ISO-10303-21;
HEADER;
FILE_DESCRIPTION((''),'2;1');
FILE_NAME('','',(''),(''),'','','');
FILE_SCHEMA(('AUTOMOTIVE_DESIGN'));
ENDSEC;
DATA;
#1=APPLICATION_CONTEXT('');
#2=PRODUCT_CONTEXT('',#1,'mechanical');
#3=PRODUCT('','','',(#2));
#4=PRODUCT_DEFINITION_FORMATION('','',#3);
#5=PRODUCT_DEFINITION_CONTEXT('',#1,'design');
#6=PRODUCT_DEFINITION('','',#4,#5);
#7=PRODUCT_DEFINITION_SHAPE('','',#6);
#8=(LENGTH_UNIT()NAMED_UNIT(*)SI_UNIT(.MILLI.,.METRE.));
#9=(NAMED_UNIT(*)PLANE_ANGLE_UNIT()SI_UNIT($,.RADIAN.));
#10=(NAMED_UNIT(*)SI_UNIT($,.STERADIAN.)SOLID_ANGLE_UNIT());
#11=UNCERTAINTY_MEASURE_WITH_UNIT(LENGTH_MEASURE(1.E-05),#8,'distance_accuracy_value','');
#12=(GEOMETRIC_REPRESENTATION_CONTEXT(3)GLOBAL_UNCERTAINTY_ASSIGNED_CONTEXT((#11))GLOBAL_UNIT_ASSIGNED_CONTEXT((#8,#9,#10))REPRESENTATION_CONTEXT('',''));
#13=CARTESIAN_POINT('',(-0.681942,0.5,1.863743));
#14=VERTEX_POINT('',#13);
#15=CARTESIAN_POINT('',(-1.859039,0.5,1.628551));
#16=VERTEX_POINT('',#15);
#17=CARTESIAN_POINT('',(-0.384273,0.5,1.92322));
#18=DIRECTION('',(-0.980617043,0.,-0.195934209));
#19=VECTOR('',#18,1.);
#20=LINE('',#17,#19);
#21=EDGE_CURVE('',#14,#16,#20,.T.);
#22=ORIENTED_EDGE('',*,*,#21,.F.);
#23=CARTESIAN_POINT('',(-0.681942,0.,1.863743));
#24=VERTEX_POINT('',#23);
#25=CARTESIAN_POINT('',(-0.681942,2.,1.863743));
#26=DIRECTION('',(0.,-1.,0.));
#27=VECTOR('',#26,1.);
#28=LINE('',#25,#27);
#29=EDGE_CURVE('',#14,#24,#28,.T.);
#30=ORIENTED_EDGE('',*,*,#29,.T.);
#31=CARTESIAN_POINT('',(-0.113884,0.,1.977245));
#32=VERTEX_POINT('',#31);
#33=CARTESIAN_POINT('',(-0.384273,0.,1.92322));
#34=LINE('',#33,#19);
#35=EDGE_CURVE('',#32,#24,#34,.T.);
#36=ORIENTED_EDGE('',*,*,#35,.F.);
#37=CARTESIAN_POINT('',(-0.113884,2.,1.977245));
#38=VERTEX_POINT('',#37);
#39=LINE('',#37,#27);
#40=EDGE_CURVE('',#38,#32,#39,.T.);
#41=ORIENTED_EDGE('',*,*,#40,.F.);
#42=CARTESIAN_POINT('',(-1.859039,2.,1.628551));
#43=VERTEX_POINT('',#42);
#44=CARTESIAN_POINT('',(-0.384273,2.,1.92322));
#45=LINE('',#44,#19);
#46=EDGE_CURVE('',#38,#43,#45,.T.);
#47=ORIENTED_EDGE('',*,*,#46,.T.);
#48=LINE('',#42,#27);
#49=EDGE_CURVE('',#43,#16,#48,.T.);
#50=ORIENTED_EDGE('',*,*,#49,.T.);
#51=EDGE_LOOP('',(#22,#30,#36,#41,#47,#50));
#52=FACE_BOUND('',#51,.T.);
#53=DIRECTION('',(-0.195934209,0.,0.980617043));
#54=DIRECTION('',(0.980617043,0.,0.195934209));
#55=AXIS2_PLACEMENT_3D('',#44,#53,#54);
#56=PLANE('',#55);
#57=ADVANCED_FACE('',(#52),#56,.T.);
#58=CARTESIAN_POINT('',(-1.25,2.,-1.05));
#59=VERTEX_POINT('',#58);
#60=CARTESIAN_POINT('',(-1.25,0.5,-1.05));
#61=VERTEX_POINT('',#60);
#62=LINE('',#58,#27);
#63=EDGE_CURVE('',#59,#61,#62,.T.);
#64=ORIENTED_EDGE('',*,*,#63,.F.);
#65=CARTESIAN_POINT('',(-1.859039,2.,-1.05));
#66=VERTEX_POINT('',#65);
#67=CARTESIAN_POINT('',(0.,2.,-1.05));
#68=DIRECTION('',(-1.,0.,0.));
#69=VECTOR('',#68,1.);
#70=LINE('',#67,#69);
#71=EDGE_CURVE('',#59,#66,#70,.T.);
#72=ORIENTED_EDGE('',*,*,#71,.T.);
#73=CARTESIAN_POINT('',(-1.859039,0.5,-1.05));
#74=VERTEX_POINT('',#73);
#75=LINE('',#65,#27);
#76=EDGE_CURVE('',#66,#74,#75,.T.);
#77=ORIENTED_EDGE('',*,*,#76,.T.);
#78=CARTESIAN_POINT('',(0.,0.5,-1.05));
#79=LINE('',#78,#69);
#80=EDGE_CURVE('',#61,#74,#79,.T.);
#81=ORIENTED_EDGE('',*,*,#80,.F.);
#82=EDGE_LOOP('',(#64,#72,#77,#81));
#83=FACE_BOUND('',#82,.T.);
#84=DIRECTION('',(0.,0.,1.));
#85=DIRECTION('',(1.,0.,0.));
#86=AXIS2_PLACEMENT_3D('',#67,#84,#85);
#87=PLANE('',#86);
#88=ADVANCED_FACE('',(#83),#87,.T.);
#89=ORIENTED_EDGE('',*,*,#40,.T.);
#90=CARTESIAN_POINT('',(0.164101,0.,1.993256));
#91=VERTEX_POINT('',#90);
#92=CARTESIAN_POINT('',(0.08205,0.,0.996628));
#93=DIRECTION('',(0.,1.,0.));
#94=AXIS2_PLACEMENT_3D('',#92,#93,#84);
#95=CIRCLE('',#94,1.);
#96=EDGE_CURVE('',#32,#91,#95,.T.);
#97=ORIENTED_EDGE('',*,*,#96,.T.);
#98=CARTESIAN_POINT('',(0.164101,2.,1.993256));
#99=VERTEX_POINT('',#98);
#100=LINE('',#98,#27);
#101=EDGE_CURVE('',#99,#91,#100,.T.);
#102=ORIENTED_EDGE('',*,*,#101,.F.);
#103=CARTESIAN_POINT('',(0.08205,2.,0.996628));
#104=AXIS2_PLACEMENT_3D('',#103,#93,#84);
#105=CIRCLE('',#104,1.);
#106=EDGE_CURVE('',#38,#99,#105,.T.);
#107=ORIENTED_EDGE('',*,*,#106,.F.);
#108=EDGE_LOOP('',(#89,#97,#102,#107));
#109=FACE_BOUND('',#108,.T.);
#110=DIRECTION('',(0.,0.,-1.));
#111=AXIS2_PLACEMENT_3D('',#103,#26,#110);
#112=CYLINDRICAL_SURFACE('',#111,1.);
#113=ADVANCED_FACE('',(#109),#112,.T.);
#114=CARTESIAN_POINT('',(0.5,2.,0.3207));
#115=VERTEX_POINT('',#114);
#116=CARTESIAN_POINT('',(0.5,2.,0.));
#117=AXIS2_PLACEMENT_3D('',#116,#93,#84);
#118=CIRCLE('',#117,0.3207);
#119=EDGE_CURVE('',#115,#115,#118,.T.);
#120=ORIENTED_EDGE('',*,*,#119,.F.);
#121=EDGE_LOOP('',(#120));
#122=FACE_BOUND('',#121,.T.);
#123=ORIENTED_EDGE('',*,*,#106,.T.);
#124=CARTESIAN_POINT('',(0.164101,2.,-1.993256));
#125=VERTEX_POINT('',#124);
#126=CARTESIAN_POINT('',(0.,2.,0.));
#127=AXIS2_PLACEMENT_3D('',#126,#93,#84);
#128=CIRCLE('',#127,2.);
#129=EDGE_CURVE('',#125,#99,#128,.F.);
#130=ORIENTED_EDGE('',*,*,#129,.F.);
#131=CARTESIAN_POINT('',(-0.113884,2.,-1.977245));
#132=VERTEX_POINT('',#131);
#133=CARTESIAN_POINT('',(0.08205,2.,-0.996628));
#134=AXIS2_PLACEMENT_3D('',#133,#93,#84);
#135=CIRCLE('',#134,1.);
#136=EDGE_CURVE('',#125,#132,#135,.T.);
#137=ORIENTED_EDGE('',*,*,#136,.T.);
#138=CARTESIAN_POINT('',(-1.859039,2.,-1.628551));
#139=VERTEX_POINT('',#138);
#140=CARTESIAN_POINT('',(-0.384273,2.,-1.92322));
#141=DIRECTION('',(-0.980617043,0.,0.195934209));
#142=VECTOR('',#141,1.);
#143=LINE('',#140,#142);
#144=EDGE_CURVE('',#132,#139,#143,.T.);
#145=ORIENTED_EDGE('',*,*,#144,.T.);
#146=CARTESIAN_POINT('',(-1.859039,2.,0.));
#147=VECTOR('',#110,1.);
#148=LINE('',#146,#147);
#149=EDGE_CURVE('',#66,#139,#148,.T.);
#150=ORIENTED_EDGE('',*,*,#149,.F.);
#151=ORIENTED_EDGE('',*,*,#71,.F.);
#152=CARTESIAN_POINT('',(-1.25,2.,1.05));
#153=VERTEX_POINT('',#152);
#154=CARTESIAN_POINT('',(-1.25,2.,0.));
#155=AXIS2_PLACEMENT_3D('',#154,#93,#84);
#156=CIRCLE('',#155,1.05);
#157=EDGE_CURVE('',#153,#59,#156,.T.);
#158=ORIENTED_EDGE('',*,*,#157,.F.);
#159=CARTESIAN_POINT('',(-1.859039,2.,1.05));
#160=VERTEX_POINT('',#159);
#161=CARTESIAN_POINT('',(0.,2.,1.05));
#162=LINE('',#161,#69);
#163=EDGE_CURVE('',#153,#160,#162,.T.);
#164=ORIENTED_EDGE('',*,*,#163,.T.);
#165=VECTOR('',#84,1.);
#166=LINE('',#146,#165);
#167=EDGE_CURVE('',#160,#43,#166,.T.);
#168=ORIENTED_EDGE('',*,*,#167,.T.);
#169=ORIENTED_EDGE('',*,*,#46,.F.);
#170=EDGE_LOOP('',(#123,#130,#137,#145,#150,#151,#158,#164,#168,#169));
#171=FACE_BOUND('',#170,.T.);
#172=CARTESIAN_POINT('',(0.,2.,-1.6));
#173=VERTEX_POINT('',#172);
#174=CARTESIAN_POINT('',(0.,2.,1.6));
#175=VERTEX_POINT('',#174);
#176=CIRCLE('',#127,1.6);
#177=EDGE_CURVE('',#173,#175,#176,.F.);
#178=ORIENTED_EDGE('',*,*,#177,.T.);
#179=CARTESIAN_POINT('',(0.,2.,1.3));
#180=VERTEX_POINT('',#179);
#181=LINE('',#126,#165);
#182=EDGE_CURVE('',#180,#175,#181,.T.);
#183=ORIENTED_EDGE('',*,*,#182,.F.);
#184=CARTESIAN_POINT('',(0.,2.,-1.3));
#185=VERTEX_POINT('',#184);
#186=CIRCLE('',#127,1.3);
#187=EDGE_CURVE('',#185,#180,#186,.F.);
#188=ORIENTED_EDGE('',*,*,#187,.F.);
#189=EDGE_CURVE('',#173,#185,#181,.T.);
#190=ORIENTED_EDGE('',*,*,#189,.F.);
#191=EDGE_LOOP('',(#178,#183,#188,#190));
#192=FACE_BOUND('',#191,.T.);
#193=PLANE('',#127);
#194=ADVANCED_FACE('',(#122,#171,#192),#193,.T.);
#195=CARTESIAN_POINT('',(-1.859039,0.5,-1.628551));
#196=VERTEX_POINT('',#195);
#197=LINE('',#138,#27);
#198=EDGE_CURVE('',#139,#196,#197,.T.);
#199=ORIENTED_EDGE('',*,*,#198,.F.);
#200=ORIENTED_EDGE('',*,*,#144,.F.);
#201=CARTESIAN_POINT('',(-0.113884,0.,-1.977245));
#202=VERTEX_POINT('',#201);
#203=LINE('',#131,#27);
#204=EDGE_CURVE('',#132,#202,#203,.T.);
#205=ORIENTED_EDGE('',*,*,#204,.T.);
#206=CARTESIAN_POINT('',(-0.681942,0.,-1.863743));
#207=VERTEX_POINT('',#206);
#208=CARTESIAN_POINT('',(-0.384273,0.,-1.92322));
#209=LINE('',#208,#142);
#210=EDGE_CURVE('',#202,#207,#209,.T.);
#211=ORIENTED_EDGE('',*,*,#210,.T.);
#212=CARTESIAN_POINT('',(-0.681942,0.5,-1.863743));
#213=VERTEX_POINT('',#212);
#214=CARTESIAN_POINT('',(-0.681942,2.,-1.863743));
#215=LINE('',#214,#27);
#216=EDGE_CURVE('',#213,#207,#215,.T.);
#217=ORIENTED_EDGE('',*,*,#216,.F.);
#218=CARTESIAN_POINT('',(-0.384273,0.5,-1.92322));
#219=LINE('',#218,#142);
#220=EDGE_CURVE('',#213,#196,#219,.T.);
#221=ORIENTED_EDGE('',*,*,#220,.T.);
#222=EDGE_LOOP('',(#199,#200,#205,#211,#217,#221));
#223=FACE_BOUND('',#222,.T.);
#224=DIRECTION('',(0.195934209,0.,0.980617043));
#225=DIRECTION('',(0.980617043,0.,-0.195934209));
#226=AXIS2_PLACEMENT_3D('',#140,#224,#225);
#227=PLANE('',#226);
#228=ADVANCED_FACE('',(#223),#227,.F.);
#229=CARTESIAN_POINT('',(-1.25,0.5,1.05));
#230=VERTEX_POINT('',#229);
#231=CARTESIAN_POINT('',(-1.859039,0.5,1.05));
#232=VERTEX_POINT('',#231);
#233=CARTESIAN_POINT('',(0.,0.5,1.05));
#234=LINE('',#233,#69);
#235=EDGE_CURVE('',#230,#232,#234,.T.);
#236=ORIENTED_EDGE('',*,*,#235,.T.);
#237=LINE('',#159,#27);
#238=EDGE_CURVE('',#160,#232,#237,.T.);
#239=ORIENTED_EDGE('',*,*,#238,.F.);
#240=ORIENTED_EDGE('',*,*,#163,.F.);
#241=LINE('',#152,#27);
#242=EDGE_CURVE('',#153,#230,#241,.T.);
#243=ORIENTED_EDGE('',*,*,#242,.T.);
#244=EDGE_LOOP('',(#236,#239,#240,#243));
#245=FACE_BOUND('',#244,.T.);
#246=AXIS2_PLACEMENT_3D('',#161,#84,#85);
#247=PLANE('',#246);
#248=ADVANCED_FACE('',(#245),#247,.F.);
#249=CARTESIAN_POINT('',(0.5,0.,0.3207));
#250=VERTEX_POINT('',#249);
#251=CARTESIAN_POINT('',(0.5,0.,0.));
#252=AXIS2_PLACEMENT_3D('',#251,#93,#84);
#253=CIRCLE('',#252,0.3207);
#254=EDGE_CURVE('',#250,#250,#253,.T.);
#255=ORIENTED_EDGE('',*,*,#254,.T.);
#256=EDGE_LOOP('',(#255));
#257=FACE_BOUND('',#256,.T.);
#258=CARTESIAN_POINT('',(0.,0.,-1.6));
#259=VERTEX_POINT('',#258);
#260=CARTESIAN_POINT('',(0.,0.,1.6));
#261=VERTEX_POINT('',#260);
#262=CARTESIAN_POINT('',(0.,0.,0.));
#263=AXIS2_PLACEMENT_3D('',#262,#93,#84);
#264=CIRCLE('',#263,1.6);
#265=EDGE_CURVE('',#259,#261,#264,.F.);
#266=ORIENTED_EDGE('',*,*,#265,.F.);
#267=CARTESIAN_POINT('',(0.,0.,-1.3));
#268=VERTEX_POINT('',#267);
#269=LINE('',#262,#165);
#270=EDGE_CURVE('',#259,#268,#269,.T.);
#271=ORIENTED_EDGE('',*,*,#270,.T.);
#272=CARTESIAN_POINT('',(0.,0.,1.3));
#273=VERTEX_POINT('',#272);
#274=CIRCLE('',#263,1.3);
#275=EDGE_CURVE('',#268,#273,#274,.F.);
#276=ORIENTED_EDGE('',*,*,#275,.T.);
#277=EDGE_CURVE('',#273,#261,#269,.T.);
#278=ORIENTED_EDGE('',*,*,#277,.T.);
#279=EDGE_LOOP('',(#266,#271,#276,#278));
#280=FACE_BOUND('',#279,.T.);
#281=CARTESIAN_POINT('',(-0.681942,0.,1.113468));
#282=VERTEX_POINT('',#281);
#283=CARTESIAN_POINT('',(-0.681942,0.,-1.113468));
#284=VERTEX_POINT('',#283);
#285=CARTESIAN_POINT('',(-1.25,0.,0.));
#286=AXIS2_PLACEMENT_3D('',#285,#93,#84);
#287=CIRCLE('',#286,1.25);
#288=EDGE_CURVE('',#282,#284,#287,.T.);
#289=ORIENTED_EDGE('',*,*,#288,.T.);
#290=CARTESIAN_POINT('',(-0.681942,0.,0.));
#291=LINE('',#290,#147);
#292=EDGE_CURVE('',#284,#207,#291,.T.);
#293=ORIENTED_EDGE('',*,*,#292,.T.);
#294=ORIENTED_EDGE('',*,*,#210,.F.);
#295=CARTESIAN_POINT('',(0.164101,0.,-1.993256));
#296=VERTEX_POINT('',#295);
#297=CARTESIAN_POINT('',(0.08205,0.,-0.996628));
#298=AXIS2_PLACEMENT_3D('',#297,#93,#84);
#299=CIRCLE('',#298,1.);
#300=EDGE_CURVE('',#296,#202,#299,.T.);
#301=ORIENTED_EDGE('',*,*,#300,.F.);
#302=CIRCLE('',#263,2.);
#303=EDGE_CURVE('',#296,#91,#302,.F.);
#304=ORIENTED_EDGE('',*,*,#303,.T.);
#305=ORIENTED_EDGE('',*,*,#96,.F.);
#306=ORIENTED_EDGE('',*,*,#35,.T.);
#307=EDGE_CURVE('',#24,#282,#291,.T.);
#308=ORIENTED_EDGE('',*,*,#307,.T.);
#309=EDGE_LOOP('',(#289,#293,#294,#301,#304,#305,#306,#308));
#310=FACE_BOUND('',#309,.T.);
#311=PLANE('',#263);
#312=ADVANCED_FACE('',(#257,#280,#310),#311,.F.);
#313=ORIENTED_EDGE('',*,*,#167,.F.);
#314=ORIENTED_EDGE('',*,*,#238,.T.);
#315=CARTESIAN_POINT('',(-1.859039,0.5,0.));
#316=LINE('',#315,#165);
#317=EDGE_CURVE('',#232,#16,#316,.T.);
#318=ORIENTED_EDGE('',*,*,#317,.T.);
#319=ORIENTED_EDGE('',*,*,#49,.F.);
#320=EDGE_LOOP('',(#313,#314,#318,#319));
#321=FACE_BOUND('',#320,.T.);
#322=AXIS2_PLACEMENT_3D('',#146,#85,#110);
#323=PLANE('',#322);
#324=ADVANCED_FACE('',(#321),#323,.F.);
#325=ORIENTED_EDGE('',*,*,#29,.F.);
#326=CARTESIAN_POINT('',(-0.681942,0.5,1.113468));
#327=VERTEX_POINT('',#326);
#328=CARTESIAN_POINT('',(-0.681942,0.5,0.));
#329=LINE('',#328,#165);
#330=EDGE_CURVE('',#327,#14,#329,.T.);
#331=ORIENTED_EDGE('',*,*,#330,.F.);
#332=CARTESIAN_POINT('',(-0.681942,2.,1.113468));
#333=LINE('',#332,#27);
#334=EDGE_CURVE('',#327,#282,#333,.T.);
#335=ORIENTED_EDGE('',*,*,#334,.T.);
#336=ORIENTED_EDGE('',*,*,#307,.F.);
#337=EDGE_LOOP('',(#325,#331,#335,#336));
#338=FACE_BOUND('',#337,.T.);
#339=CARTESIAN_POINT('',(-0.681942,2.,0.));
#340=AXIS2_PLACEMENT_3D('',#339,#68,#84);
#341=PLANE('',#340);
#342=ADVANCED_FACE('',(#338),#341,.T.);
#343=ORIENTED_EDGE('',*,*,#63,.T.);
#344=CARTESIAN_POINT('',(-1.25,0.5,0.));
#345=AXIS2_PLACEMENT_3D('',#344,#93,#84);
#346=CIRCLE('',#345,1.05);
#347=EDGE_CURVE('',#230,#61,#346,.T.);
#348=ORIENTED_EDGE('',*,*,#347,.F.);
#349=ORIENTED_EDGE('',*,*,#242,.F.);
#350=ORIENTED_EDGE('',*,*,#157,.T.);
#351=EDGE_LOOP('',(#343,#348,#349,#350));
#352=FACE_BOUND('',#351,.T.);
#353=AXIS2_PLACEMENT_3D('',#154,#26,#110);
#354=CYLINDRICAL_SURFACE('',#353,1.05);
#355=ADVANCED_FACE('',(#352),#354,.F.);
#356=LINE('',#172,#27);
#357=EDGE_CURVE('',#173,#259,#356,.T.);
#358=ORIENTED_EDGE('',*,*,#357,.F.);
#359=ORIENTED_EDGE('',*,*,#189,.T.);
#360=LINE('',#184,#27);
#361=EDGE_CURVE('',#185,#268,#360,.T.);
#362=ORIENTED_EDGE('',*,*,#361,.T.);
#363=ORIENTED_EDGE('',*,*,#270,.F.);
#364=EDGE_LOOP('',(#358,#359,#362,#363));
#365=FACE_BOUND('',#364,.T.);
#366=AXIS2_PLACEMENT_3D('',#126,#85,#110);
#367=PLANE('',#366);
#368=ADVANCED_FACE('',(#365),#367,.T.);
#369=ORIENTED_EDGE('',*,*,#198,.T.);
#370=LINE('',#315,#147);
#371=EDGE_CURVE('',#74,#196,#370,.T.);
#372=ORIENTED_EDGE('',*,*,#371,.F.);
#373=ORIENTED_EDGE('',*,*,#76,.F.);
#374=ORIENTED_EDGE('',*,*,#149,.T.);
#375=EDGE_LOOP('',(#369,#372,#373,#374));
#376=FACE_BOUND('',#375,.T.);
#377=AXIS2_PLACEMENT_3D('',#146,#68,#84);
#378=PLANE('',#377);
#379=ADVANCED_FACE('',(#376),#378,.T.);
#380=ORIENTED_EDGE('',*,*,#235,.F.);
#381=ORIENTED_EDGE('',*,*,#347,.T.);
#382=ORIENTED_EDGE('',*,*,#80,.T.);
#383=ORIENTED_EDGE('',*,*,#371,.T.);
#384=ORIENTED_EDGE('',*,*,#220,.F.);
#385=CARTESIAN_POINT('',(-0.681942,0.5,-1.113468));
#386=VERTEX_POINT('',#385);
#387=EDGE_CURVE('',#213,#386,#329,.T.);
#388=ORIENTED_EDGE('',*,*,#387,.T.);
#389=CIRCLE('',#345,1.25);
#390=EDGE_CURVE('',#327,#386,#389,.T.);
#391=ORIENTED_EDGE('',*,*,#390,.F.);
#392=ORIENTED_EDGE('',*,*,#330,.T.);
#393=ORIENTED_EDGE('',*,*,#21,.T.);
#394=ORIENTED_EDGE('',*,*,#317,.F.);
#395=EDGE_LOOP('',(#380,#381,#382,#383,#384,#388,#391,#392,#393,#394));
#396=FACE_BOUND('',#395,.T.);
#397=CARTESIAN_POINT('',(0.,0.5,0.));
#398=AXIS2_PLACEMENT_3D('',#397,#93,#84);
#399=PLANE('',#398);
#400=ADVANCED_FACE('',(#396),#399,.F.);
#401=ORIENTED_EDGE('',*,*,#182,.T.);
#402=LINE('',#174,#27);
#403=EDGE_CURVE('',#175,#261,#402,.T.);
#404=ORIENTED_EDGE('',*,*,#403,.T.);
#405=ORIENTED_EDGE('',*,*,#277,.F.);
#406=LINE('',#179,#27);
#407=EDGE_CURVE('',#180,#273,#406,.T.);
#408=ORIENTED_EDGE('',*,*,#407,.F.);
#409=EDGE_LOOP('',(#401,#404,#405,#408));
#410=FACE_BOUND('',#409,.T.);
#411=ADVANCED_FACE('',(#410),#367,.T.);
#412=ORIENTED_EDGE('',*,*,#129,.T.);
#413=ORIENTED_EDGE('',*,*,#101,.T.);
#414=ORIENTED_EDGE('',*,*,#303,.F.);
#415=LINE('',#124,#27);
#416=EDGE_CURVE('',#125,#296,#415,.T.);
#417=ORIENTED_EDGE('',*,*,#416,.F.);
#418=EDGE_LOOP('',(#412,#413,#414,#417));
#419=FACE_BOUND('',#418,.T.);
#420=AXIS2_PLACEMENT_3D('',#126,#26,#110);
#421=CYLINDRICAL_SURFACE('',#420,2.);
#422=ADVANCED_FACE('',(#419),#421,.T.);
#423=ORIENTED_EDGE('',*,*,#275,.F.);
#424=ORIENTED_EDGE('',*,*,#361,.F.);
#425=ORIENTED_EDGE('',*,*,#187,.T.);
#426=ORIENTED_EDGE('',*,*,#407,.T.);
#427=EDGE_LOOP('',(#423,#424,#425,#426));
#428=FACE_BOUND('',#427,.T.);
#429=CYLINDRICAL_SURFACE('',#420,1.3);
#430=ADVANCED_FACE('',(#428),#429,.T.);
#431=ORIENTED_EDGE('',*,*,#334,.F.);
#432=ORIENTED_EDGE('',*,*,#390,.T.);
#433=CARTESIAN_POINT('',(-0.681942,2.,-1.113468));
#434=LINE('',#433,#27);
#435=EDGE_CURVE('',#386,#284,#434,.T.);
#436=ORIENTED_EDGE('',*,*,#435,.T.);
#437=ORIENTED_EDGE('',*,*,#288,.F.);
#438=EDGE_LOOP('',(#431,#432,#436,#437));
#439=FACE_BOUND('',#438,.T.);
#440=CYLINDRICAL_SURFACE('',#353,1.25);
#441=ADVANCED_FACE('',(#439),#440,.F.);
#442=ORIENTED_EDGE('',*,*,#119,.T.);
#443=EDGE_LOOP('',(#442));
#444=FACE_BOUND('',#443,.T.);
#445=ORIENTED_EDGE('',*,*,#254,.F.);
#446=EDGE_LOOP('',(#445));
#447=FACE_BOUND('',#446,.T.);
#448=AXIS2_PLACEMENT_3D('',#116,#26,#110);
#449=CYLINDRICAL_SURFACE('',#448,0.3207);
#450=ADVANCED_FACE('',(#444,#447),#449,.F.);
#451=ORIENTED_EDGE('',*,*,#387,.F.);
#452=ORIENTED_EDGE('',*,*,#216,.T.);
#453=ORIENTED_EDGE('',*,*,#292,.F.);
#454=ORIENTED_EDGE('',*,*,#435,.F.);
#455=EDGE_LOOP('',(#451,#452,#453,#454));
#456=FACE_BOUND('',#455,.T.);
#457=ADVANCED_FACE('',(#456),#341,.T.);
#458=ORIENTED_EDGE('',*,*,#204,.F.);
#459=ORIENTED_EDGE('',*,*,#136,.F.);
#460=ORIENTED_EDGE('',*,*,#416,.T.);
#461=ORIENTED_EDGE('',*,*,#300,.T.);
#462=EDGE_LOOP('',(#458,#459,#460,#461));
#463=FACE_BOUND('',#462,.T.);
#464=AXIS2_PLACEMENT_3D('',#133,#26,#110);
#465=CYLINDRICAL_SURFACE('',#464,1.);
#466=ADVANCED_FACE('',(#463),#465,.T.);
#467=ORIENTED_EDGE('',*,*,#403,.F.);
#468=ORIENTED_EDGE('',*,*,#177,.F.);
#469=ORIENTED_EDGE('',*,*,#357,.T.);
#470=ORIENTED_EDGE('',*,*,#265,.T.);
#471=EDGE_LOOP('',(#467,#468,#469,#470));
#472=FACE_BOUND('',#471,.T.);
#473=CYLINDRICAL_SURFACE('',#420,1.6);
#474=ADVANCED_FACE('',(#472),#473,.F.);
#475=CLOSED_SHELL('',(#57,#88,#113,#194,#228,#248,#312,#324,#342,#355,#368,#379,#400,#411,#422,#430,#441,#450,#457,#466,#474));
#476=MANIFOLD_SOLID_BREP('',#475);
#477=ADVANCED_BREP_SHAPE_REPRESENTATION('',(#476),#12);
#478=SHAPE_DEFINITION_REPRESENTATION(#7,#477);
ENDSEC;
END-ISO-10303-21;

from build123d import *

# Parameters (mm, degrees)
SKETCH1_R           = 0.3207
BOSS_EXTRUDE4_DEPTH = 2
BOSS_EXTRUDE5_START = 0.5
BOSS_EXTRUDE5_DEPTH = 1.5


with BuildPart() as part:
    # Sketch1 → Boss-Extrude4 (new body)
    with BuildSketch(Plane(origin=(0, 0, 0), x_dir=(1, 0, 0), z_dir=(0, 1, 0))):
        with BuildLine():
            ThreePointArc((0.164100899, 1.993256355), (0.024548564, 1.994973575), (-0.11388376, 1.977245221))
            Line((-0.11388376, 1.977245221), (-0.68194188, 1.863743198))
            Line((-0.68194188, 1.863743198), (-0.68194188, 1.25))
            Line((-0.68194188, 1.25), (-0.68194188, 1.113467544))
            ThreePointArc((-0.68194188, 1.113467544), (-0.184032681, 0.652850423), (0, 0))
            ThreePointArc((0, 0), (-0.184032681, -0.652850423), (-0.68194188, -1.113467544))
            Line((-0.68194188, -1.113467544), (-0.68194188, -1.25))
            Line((-0.68194188, -1.25), (-0.68194188, -1.863743197))
            Line((-0.68194188, -1.863743197), (-0.11388376, -1.977245221))
            ThreePointArc((-0.11388376, -1.977245221), (0.024548564, -1.994973575), (0.164100898, -1.993256355))
            ThreePointArc((0.164100898, -1.993256355), (2, 0), (0.164100899, 1.993256355))
        make_face()
        with Locations((0.5, 0)):
            Circle(SKETCH1_R, mode=Mode.SUBTRACT)
        with BuildLine():
            Line((0, 1.3), (0, 1.6))
            ThreePointArc((0, 1.6), (1.6, 0), (0, -1.6))
            Line((0, -1.6), (0, -1.3))
            ThreePointArc((0, -1.3), (1.3, 0), (0, 1.3))
        make_face(mode=Mode.SUBTRACT)
    extrude(amount=BOSS_EXTRUDE4_DEPTH)

    # Sketch1<30> → Boss-Extrude5 (add)
    with BuildSketch(Plane(origin=(0, 0, 0), x_dir=(1, 0, 0), z_dir=(0, 1, 0)).offset(BOSS_EXTRUDE5_START)):
        with BuildLine():
            Line((-0.68194188, 1.863743198), (-1.85903885, 1.628550912))
            Line((-1.85903885, 1.628550912), (-1.85903885, 1.05))
            Line((-1.85903885, 1.05), (-1.25, 1.05))
            ThreePointArc((-1.25, 1.05), (-0.2, 0), (-1.25, -1.05))
            Line((-1.25, -1.05), (-1.85903885, -1.05))
            Line((-1.85903885, -1.05), (-1.85903885, -1.628550912))
            Line((-1.85903885, -1.628550912), (-0.68194188, -1.863743197))
            Line((-0.68194188, -1.863743197), (-0.68194188, -1.113467544))
            ThreePointArc((-0.68194188, -1.113467544), (0, 0), (-0.68194188, 1.113467544))
            Line((-0.68194188, 1.113467544), (-0.68194188, 1.863743198))
        make_face()
    extrude(amount=BOSS_EXTRUDE5_DEPTH)


solid = part.part
